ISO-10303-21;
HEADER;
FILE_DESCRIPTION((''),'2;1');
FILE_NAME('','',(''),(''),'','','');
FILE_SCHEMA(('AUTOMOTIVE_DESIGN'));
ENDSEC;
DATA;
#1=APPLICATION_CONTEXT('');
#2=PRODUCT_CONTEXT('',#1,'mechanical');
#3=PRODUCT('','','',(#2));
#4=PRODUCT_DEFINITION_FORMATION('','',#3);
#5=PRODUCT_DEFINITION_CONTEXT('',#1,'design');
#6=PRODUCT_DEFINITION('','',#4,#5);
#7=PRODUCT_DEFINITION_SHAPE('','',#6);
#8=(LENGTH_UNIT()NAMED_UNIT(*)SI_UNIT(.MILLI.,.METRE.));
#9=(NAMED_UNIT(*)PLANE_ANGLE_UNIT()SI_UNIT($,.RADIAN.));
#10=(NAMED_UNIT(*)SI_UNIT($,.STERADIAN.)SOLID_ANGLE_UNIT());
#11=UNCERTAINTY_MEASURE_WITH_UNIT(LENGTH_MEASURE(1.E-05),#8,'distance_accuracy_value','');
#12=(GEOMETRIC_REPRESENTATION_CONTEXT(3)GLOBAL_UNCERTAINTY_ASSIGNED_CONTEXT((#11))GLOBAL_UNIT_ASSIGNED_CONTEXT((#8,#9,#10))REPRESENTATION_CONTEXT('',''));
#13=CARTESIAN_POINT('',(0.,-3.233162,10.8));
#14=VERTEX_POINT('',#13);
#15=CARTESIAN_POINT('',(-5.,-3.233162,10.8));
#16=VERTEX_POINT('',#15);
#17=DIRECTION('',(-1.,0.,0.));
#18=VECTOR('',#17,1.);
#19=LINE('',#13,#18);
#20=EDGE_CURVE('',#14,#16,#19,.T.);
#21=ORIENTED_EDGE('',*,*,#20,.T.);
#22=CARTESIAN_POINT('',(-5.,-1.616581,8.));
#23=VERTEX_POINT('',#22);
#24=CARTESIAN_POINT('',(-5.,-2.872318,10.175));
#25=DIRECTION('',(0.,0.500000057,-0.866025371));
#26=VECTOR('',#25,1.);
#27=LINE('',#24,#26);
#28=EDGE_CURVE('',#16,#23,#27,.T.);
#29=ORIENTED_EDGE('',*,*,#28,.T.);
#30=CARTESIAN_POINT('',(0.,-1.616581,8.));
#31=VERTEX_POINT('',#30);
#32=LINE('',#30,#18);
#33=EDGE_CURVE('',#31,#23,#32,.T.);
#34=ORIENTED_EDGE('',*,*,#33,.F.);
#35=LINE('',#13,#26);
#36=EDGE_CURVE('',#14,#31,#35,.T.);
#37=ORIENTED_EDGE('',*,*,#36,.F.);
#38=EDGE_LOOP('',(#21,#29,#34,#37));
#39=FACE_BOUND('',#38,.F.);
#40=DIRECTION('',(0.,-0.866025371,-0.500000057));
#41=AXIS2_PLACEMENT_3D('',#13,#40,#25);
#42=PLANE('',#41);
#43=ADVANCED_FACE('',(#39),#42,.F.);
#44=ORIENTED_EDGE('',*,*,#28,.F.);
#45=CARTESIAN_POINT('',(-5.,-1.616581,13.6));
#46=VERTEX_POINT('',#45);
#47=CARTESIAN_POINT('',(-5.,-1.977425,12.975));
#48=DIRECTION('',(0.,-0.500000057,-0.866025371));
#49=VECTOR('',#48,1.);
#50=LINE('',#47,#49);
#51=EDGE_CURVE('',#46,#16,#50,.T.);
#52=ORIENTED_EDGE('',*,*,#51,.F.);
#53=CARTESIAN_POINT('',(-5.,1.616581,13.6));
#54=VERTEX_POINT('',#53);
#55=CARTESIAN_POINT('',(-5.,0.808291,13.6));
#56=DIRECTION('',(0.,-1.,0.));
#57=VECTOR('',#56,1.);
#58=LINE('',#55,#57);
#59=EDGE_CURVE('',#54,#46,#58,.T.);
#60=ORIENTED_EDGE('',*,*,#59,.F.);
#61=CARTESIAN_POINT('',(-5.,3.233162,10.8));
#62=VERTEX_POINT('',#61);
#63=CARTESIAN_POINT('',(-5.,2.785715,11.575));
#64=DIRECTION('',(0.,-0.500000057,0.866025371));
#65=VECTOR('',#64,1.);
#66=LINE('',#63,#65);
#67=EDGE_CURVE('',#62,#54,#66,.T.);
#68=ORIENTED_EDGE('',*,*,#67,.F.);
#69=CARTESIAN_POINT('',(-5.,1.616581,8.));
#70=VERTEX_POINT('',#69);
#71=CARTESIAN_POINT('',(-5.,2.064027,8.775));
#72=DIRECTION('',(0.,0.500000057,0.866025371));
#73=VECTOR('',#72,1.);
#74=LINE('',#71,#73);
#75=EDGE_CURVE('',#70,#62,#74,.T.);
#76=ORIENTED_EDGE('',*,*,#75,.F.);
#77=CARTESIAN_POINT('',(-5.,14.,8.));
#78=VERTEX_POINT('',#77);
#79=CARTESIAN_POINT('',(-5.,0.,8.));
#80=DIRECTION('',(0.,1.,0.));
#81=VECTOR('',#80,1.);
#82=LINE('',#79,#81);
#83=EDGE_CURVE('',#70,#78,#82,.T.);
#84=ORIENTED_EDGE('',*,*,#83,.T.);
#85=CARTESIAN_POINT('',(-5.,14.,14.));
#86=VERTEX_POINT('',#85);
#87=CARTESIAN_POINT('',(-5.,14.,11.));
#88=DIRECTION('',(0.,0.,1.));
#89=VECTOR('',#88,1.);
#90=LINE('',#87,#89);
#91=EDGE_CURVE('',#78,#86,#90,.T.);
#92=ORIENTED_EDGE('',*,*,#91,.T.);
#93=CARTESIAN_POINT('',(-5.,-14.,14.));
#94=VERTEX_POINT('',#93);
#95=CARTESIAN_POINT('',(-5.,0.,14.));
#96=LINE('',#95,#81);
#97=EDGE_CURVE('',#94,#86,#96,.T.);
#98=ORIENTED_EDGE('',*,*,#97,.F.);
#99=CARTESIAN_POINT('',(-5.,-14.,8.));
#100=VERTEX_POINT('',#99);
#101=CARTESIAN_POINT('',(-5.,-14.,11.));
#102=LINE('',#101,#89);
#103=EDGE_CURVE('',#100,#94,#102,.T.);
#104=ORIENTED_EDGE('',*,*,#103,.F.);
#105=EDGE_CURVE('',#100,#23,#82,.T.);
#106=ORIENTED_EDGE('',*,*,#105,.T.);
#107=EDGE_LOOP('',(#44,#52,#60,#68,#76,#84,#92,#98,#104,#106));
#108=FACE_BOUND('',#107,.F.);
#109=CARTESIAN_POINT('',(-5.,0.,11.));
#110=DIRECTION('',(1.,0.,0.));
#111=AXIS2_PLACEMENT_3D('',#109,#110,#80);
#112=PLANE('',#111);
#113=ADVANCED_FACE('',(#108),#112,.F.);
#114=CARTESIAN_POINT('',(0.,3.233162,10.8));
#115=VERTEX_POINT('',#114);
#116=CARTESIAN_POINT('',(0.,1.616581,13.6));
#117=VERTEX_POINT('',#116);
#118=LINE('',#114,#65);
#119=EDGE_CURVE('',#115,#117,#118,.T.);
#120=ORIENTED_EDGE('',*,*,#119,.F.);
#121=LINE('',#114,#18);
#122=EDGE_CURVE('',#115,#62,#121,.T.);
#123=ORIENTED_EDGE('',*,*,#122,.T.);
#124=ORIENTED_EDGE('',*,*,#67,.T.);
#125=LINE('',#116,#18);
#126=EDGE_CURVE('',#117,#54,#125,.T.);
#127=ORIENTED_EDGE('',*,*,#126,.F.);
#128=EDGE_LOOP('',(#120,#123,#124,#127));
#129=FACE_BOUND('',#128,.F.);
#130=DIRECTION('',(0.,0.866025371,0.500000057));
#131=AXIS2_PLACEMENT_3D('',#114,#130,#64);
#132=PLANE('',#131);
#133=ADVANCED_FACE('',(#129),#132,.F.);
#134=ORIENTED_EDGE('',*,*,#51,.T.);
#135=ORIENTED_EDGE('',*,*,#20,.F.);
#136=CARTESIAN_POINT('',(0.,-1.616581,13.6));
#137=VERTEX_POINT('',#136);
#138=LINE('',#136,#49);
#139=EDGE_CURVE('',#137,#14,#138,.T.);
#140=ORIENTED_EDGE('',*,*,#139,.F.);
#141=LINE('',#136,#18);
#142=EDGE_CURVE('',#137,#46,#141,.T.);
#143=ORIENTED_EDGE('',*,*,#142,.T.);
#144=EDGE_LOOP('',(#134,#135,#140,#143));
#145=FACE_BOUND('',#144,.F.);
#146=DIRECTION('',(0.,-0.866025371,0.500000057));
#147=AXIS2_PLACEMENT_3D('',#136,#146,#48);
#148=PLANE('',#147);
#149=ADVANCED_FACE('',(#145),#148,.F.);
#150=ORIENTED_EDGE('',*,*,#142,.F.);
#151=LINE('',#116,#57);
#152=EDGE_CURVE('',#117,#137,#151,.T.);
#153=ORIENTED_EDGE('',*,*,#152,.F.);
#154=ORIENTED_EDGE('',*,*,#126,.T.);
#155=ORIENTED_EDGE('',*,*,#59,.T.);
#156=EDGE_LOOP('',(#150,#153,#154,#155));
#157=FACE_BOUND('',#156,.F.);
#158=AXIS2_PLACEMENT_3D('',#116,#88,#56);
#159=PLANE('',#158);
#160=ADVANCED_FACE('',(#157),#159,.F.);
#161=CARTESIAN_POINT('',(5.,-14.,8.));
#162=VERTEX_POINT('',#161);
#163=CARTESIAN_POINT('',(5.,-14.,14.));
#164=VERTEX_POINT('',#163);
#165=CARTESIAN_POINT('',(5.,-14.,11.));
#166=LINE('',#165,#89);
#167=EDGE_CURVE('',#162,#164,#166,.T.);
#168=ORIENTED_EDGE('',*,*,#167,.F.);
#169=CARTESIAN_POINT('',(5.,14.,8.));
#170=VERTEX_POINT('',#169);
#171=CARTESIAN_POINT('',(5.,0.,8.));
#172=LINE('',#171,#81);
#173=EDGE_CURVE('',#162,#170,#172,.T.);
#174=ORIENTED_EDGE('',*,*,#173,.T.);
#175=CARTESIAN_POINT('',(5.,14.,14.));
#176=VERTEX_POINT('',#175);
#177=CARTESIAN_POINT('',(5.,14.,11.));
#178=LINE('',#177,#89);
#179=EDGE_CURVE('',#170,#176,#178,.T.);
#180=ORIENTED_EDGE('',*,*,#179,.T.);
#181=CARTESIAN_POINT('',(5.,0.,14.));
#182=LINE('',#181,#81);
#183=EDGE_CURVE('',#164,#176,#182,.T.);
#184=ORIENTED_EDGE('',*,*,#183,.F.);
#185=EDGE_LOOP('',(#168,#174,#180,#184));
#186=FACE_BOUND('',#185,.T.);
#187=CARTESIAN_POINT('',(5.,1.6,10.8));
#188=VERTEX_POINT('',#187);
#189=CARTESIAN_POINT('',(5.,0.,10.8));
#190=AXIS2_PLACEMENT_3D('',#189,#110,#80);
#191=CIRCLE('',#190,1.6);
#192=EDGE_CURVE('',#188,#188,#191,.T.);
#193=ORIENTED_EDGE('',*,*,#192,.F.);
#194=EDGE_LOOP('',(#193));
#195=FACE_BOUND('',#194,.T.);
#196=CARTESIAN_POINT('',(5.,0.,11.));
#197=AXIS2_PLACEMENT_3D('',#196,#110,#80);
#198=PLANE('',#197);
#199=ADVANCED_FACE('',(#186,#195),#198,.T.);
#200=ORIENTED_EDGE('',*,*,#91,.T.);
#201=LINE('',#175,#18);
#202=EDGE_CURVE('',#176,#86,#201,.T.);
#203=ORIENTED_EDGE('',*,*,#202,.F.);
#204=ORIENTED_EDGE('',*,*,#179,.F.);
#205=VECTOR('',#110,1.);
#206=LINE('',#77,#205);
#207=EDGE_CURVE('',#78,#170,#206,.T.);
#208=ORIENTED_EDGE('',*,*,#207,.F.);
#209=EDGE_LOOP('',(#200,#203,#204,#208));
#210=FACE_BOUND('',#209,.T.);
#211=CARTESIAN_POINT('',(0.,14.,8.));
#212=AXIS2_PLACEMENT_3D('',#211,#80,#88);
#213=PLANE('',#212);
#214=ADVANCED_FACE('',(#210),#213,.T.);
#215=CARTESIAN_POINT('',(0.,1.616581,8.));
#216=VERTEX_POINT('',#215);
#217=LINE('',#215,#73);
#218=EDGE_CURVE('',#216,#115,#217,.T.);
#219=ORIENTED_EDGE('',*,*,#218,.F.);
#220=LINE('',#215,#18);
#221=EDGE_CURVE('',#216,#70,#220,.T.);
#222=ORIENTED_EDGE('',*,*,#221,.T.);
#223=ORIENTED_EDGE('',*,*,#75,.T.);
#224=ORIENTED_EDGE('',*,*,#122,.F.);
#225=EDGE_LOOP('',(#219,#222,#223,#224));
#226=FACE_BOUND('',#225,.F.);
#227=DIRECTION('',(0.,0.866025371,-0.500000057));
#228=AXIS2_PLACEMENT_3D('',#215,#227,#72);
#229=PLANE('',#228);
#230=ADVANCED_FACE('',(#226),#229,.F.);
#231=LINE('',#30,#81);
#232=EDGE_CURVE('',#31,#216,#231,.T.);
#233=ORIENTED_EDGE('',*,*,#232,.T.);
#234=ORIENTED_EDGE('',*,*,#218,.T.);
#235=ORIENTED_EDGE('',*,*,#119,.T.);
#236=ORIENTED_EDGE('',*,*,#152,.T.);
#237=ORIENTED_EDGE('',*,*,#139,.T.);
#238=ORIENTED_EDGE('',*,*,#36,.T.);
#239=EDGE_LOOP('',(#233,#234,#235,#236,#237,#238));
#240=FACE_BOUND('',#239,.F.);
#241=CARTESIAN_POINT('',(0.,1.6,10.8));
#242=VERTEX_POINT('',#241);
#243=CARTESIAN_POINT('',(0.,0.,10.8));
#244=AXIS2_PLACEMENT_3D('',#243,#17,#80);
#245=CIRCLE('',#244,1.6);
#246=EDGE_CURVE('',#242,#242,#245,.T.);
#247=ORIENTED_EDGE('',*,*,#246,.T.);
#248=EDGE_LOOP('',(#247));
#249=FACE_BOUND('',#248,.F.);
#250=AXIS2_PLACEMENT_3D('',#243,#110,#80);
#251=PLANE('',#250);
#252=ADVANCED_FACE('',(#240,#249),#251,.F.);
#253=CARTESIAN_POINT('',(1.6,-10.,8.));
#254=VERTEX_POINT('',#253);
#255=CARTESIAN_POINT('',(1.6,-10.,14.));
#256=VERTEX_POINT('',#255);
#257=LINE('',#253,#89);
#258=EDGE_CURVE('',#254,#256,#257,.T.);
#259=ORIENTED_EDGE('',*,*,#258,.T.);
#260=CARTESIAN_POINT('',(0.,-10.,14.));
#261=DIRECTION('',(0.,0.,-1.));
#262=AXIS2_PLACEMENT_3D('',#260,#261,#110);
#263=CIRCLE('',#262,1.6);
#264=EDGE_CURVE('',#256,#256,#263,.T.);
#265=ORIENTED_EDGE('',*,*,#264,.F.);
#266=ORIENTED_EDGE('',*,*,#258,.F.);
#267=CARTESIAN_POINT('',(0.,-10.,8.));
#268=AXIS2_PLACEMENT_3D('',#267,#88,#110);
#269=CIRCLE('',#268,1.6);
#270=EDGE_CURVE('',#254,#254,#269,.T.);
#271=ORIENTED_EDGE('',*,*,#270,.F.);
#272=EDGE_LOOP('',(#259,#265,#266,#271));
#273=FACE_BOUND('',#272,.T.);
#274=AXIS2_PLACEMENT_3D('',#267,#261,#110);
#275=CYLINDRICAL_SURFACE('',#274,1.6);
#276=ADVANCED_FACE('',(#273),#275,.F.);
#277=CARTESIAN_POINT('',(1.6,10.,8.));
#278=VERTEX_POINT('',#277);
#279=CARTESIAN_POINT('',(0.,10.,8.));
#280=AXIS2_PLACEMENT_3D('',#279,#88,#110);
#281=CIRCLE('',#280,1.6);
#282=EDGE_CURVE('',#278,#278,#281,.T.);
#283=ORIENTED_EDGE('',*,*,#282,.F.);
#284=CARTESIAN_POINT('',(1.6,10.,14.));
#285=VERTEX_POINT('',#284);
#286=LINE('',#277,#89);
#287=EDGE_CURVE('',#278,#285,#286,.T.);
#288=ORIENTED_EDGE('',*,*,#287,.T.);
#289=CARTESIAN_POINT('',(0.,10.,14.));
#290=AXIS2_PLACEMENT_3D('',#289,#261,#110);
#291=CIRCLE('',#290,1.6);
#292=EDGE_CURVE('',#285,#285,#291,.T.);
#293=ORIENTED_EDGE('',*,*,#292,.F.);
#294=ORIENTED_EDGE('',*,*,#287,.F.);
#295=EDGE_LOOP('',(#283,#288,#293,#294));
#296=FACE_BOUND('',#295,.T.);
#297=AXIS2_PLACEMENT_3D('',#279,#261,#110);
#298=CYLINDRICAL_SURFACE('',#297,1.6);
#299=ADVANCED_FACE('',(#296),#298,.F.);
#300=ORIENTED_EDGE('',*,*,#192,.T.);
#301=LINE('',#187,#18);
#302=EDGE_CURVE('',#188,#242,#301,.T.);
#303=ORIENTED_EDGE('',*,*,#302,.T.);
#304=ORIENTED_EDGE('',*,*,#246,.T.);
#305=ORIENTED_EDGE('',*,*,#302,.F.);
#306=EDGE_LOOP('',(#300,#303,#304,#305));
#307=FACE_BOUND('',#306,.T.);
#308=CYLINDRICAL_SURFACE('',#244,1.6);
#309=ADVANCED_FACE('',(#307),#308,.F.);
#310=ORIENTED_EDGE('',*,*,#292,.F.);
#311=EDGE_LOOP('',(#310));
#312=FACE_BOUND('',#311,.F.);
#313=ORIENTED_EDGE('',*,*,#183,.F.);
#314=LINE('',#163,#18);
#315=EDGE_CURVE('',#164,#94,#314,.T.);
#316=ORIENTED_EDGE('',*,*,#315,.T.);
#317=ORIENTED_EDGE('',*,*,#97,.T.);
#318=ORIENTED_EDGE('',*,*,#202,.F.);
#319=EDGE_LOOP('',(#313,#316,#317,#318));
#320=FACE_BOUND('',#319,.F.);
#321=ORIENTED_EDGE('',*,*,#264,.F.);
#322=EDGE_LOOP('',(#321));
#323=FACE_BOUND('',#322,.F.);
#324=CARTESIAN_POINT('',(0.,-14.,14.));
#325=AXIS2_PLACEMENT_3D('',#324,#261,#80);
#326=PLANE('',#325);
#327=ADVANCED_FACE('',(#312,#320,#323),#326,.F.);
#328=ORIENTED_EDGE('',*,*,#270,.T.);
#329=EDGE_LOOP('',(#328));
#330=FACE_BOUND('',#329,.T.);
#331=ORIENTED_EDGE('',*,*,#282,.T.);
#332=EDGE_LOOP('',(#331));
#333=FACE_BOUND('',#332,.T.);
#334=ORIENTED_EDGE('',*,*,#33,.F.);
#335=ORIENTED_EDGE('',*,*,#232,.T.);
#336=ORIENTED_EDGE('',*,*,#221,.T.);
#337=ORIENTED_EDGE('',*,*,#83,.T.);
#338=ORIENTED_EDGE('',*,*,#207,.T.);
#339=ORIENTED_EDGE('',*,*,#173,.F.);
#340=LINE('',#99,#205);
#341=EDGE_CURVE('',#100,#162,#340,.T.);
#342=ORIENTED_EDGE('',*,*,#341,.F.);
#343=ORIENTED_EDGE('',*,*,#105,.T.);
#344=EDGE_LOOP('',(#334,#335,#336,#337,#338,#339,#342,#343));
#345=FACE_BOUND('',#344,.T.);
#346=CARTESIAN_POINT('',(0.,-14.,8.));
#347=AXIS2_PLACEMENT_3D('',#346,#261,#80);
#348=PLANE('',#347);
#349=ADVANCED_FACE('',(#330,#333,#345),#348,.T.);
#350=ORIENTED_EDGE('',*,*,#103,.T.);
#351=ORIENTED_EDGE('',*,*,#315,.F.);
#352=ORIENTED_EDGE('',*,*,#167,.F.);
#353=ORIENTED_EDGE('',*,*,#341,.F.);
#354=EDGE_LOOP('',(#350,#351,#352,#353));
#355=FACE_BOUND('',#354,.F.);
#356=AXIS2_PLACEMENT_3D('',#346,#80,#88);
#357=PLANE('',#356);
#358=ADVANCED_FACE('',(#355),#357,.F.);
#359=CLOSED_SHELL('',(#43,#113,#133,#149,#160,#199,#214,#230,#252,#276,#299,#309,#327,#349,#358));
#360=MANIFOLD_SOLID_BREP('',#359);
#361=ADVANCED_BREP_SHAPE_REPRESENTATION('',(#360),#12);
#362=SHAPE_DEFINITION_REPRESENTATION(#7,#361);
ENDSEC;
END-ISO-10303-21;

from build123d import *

# Parameters (mm, degrees)
SKETCH_W        = 28
SKETCH_H        = 6
SKETCH_R        = 1.6
PAD_DEPTH       = 5
POCKET_DEPTH    = 5.001
SKETCH007_R     = 1.6
POCKET001_DEPTH = 6.001


with BuildPart() as part:
    # Sketch → Pad (new body, symmetric)
    with BuildSketch(Plane.YZ):
        with Locations((0, 3)):
            Rectangle(SKETCH_W, SKETCH_H)
        with Locations((0, 2.8)):
            Circle(SKETCH_R, mode=Mode.SUBTRACT)
    extrude(amount=PAD_DEPTH, both=True)

    # Sketch006 → Pocket (cut, through all)
    with BuildSketch(Plane.YZ):
        Polygon((1.616581, 0), (3.233162, 2.8), (1.616581, 5.6), (-1.616581, 5.6), (-3.233162, 2.8), (-1.616581, 0), align=None)
    extrude(amount=-POCKET_DEPTH, mode=Mode.SUBTRACT)

    # Sketch007 → Pocket001 (cut, through all)
    with BuildSketch(Plane.XY):
        with Locations((0, 10)):
            Circle(SKETCH007_R)
        with Locations((0, -10)):
            Circle(SKETCH007_R)
    extrude(amount=POCKET001_DEPTH, mode=Mode.SUBTRACT)


with BuildPart() as part_1:
    # Body002 placement: moved
    add(part.part.moved(Location((0, 0, 8))))


solid = part_1.part
